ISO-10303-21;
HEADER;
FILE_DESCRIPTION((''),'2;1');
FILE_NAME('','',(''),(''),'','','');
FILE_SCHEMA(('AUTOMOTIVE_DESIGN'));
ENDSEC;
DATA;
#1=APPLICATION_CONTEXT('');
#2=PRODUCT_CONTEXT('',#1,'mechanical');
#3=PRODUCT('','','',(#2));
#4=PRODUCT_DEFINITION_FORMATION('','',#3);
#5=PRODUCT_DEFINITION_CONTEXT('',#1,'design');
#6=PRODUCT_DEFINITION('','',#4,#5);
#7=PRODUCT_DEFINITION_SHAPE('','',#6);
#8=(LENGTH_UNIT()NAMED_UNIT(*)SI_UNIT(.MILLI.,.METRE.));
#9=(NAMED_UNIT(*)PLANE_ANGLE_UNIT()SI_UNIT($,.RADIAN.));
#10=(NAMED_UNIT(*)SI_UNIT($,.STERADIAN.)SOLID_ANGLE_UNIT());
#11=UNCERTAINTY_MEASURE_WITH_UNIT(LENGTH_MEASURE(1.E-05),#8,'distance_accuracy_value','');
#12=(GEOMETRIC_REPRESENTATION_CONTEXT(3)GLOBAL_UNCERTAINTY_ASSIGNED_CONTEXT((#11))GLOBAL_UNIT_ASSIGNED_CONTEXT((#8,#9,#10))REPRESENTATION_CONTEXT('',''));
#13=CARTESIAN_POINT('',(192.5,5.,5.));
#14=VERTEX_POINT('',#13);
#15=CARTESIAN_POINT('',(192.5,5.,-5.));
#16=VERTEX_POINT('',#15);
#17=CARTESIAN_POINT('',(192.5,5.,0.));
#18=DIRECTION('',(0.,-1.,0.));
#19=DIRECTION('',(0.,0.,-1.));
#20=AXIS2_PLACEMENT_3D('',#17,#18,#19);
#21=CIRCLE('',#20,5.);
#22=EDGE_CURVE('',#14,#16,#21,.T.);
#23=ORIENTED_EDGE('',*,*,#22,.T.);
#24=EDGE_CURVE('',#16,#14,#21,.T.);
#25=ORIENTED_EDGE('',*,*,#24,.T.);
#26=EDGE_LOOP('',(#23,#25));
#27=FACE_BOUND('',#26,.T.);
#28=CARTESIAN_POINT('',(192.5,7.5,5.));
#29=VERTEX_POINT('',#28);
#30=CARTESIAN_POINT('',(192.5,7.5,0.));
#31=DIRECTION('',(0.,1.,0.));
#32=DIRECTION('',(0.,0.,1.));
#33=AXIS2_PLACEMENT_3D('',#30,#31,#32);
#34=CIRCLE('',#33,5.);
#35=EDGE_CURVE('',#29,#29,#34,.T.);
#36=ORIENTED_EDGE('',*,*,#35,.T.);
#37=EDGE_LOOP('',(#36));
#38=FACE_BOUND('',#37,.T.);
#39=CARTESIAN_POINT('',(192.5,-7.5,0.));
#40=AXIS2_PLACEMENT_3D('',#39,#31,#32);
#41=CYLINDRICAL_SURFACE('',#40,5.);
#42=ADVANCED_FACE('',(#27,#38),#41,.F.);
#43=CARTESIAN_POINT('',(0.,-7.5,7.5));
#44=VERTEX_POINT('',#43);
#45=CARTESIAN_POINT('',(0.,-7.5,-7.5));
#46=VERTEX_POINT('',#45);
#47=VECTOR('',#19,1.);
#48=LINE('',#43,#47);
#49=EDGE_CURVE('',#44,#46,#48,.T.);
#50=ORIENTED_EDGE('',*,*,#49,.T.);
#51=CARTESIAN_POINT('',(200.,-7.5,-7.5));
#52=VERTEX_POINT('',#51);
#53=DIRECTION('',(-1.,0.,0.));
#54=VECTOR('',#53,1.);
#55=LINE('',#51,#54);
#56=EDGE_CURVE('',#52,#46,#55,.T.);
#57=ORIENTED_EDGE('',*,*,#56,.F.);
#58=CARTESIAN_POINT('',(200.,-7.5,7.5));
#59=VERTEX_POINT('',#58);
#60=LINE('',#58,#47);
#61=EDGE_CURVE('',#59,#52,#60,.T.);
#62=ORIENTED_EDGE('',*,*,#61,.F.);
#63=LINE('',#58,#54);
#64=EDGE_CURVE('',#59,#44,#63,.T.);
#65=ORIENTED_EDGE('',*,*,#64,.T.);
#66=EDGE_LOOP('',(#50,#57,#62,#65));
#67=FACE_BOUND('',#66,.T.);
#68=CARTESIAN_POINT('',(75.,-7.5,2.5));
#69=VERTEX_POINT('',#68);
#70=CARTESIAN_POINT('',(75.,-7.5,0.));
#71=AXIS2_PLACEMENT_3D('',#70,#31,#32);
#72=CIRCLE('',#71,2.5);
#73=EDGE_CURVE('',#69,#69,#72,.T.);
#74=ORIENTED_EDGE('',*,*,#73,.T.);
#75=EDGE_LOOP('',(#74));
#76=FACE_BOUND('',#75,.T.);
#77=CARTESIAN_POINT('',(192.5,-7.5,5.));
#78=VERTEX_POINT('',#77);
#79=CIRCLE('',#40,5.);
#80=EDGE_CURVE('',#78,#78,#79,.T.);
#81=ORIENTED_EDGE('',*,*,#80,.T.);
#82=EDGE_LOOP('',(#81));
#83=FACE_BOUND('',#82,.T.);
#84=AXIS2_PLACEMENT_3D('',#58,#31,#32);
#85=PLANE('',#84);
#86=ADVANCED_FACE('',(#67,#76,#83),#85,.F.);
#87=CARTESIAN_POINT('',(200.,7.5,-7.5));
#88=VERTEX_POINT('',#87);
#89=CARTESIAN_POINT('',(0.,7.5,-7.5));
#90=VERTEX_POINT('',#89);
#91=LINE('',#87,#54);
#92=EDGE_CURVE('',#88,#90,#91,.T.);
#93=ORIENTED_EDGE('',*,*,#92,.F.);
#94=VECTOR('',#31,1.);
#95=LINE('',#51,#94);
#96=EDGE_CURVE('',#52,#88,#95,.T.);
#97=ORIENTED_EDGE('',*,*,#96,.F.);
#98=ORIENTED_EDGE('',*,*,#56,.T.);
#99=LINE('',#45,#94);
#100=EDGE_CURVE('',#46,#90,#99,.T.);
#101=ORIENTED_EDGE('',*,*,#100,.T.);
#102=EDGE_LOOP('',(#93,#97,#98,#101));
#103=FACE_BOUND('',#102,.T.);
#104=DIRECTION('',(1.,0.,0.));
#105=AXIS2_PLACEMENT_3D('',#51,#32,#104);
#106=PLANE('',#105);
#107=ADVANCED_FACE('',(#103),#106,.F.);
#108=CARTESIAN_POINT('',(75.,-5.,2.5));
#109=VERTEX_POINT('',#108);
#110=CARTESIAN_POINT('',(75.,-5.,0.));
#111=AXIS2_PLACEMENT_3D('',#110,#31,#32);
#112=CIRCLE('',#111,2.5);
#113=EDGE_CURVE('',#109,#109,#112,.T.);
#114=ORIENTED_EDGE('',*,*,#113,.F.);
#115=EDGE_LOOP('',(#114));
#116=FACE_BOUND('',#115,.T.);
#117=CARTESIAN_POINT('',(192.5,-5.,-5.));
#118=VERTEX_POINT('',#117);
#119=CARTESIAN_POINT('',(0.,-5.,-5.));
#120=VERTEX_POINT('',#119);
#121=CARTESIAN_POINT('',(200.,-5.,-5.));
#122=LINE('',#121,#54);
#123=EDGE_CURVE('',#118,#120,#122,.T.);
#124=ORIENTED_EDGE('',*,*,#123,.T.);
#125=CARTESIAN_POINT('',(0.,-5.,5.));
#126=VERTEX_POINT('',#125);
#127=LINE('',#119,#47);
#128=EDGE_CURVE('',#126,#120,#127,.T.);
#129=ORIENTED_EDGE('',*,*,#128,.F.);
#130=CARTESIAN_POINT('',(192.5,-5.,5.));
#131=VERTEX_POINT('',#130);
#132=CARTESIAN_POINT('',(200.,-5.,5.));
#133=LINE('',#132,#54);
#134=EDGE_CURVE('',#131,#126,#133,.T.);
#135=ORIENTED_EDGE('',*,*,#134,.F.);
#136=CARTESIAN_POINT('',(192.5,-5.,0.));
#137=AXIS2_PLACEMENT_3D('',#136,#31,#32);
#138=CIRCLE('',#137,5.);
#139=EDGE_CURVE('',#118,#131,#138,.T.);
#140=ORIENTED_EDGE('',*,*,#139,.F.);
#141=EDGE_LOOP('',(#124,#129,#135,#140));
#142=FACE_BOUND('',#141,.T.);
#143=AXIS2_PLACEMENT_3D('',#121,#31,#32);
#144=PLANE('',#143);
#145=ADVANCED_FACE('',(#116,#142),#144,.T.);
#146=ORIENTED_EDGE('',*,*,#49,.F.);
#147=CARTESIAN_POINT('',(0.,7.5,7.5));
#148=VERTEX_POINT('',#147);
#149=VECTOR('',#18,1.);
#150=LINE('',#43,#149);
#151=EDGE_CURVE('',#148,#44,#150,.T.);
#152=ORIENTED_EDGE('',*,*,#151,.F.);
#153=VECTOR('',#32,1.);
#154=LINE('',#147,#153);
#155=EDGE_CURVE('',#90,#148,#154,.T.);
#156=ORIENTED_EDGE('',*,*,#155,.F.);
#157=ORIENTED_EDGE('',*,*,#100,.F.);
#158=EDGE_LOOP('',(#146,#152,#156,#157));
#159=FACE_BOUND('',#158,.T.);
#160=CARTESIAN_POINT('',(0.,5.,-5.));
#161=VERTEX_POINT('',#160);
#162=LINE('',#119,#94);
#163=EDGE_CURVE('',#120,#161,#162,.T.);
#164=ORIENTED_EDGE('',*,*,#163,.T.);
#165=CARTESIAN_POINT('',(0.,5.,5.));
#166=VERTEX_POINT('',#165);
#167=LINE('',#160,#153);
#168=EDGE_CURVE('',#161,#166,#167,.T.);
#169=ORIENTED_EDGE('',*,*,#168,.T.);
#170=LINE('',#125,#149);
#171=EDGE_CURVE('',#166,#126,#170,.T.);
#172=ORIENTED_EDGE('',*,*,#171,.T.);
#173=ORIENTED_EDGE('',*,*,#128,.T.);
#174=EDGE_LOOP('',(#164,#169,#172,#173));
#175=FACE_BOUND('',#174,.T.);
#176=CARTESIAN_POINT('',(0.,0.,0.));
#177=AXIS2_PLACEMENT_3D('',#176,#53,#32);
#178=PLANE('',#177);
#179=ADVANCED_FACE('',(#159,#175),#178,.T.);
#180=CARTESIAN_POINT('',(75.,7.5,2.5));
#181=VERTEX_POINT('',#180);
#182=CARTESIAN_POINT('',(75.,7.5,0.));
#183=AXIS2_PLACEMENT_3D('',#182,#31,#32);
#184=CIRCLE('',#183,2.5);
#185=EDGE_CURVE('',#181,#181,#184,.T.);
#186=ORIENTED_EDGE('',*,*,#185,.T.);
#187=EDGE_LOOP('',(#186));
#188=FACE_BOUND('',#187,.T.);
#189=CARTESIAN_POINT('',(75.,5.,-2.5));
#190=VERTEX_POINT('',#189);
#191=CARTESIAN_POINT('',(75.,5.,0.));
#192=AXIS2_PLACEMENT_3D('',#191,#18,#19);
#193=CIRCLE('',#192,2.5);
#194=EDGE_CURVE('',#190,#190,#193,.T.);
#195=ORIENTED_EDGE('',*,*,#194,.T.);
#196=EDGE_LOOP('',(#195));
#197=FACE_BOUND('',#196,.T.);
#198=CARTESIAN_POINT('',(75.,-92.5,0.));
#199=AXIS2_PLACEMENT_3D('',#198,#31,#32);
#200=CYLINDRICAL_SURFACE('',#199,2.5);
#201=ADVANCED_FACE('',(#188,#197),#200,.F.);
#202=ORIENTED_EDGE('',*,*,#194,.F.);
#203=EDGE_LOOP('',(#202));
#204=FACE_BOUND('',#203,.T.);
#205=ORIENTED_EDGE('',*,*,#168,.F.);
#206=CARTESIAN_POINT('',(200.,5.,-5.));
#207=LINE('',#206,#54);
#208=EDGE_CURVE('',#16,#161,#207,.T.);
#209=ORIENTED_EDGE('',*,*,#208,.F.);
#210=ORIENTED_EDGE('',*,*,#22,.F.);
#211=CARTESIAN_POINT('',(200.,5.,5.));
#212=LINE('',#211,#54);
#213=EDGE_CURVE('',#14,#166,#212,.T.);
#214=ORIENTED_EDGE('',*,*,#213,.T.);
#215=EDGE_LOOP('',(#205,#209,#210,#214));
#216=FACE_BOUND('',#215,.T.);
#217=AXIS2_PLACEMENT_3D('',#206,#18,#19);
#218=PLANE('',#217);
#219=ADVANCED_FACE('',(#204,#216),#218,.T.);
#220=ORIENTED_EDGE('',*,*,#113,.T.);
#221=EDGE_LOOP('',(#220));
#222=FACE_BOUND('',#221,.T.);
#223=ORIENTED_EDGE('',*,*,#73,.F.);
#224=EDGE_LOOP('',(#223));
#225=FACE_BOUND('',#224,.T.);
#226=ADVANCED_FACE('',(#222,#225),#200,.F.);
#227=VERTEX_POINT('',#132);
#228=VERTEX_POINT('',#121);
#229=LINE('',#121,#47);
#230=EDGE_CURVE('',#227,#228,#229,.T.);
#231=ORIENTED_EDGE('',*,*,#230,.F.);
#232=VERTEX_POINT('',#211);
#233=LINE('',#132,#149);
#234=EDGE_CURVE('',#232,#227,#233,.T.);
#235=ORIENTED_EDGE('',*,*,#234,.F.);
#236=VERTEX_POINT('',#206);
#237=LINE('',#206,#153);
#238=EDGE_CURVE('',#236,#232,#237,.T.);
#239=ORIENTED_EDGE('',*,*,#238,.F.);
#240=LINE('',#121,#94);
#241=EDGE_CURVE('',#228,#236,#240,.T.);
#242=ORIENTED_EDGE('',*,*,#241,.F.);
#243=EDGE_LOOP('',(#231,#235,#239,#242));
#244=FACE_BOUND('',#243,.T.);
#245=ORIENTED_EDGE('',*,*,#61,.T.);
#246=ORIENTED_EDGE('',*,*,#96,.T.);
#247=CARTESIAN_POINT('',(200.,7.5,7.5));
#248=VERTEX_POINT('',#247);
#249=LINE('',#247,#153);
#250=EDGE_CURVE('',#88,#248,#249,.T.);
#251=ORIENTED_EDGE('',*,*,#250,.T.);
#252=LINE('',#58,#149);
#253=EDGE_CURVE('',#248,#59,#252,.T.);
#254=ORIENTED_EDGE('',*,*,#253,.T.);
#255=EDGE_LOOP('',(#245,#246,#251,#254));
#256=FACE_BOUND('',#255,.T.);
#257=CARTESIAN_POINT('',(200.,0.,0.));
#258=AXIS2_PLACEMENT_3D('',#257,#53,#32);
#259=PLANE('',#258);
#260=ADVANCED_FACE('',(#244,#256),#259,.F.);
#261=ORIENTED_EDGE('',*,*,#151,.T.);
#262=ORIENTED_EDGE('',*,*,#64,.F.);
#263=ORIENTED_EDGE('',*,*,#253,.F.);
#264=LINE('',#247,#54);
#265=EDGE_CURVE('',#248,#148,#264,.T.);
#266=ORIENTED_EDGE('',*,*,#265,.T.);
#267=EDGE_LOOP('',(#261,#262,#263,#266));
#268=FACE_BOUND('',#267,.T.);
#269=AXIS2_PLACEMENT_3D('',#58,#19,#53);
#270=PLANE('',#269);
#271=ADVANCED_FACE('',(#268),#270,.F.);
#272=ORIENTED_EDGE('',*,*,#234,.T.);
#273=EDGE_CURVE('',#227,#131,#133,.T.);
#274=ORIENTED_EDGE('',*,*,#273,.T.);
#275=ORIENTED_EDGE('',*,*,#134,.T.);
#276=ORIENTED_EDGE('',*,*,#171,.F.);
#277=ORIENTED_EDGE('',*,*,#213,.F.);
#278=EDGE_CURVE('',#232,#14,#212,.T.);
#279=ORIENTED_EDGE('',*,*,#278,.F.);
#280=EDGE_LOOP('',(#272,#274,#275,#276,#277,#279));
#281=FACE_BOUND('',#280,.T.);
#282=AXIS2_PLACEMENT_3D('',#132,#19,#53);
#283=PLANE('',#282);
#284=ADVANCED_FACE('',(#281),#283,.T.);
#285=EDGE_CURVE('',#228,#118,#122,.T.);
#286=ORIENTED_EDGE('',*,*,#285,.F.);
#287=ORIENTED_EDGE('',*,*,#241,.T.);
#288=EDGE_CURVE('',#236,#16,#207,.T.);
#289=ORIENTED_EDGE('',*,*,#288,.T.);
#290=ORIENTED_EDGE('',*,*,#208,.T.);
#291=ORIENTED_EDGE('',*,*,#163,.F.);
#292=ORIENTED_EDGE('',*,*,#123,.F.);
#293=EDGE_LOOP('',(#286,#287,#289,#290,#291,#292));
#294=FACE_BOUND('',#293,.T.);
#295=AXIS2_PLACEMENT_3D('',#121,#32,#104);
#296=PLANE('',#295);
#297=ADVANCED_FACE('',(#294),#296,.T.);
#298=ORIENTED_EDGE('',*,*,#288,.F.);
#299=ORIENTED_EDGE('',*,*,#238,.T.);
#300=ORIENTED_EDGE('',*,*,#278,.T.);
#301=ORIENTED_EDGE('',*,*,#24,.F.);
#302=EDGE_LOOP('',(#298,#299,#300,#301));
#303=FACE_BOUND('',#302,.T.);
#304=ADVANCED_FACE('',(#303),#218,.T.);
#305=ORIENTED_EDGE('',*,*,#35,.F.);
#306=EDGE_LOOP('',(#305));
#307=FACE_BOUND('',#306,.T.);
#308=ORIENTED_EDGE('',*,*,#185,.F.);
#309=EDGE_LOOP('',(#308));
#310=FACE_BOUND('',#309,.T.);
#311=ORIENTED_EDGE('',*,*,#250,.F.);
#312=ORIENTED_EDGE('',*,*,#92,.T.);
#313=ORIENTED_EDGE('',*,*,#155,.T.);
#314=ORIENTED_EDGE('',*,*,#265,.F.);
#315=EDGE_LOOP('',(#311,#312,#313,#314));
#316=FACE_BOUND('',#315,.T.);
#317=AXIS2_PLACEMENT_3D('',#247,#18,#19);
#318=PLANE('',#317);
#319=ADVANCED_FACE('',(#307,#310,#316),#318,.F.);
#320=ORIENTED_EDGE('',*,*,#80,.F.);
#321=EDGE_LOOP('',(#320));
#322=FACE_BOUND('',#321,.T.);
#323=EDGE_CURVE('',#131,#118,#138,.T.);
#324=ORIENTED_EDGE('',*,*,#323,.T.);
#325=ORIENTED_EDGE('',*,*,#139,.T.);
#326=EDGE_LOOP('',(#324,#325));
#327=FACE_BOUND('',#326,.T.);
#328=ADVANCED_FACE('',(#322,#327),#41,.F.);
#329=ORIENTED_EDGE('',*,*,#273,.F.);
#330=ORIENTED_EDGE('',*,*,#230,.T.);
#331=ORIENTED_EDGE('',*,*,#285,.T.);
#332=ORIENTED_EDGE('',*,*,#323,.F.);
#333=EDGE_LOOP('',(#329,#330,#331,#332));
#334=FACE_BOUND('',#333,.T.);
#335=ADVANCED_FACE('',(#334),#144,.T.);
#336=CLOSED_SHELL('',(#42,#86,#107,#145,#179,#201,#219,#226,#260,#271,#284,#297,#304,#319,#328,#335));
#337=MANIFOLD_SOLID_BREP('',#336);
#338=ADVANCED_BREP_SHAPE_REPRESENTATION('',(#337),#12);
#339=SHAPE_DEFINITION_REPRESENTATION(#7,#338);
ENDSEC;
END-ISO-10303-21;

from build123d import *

# Parameters (mm, degrees)
SKETCH1_W           = 15
SKETCH1_H           = 15
SKETCH1_W_2         = 10
SKETCH1_H_2         = 10
BOSS_EXTRUDE1_DEPTH = 200
SKETCH2_R           = 5
CUT_EXTRUDE1_DEPTH  = 16
SKETCH3_R           = 2.5
CUT_EXTRUDE2_DEPTH  = 100


with BuildPart() as part:
    # Sketch1 → Boss-Extrude1 (new body)
    with BuildSketch(Plane(origin=(0, 0, 0), x_dir=(0, 0, -1), z_dir=(1, 0, 0))):
        Rectangle(SKETCH1_W, SKETCH1_H)
        Rectangle(SKETCH1_W_2, SKETCH1_H_2, mode=Mode.SUBTRACT)
    extrude(amount=BOSS_EXTRUDE1_DEPTH)

    # Sketch2 → Cut-Extrude1 (cut, through all)
    with BuildSketch(Plane(origin=(0, 7.5, 0), x_dir=(1, 0, 0), z_dir=(0, 1, 0))):
        with Locations((192.5, 0)):
            Circle(SKETCH2_R)
    extrude(amount=-CUT_EXTRUDE1_DEPTH, mode=Mode.SUBTRACT)

    # Sketch3 → Cut-Extrude2 (cut)
    with BuildSketch(Plane(origin=(0, 7.5, 0), x_dir=(1, 0, 0), z_dir=(0, 1, 0))):
        with Locations((75, 0)):
            Circle(SKETCH3_R)
    extrude(amount=-CUT_EXTRUDE2_DEPTH, mode=Mode.SUBTRACT)


solid = part.part
